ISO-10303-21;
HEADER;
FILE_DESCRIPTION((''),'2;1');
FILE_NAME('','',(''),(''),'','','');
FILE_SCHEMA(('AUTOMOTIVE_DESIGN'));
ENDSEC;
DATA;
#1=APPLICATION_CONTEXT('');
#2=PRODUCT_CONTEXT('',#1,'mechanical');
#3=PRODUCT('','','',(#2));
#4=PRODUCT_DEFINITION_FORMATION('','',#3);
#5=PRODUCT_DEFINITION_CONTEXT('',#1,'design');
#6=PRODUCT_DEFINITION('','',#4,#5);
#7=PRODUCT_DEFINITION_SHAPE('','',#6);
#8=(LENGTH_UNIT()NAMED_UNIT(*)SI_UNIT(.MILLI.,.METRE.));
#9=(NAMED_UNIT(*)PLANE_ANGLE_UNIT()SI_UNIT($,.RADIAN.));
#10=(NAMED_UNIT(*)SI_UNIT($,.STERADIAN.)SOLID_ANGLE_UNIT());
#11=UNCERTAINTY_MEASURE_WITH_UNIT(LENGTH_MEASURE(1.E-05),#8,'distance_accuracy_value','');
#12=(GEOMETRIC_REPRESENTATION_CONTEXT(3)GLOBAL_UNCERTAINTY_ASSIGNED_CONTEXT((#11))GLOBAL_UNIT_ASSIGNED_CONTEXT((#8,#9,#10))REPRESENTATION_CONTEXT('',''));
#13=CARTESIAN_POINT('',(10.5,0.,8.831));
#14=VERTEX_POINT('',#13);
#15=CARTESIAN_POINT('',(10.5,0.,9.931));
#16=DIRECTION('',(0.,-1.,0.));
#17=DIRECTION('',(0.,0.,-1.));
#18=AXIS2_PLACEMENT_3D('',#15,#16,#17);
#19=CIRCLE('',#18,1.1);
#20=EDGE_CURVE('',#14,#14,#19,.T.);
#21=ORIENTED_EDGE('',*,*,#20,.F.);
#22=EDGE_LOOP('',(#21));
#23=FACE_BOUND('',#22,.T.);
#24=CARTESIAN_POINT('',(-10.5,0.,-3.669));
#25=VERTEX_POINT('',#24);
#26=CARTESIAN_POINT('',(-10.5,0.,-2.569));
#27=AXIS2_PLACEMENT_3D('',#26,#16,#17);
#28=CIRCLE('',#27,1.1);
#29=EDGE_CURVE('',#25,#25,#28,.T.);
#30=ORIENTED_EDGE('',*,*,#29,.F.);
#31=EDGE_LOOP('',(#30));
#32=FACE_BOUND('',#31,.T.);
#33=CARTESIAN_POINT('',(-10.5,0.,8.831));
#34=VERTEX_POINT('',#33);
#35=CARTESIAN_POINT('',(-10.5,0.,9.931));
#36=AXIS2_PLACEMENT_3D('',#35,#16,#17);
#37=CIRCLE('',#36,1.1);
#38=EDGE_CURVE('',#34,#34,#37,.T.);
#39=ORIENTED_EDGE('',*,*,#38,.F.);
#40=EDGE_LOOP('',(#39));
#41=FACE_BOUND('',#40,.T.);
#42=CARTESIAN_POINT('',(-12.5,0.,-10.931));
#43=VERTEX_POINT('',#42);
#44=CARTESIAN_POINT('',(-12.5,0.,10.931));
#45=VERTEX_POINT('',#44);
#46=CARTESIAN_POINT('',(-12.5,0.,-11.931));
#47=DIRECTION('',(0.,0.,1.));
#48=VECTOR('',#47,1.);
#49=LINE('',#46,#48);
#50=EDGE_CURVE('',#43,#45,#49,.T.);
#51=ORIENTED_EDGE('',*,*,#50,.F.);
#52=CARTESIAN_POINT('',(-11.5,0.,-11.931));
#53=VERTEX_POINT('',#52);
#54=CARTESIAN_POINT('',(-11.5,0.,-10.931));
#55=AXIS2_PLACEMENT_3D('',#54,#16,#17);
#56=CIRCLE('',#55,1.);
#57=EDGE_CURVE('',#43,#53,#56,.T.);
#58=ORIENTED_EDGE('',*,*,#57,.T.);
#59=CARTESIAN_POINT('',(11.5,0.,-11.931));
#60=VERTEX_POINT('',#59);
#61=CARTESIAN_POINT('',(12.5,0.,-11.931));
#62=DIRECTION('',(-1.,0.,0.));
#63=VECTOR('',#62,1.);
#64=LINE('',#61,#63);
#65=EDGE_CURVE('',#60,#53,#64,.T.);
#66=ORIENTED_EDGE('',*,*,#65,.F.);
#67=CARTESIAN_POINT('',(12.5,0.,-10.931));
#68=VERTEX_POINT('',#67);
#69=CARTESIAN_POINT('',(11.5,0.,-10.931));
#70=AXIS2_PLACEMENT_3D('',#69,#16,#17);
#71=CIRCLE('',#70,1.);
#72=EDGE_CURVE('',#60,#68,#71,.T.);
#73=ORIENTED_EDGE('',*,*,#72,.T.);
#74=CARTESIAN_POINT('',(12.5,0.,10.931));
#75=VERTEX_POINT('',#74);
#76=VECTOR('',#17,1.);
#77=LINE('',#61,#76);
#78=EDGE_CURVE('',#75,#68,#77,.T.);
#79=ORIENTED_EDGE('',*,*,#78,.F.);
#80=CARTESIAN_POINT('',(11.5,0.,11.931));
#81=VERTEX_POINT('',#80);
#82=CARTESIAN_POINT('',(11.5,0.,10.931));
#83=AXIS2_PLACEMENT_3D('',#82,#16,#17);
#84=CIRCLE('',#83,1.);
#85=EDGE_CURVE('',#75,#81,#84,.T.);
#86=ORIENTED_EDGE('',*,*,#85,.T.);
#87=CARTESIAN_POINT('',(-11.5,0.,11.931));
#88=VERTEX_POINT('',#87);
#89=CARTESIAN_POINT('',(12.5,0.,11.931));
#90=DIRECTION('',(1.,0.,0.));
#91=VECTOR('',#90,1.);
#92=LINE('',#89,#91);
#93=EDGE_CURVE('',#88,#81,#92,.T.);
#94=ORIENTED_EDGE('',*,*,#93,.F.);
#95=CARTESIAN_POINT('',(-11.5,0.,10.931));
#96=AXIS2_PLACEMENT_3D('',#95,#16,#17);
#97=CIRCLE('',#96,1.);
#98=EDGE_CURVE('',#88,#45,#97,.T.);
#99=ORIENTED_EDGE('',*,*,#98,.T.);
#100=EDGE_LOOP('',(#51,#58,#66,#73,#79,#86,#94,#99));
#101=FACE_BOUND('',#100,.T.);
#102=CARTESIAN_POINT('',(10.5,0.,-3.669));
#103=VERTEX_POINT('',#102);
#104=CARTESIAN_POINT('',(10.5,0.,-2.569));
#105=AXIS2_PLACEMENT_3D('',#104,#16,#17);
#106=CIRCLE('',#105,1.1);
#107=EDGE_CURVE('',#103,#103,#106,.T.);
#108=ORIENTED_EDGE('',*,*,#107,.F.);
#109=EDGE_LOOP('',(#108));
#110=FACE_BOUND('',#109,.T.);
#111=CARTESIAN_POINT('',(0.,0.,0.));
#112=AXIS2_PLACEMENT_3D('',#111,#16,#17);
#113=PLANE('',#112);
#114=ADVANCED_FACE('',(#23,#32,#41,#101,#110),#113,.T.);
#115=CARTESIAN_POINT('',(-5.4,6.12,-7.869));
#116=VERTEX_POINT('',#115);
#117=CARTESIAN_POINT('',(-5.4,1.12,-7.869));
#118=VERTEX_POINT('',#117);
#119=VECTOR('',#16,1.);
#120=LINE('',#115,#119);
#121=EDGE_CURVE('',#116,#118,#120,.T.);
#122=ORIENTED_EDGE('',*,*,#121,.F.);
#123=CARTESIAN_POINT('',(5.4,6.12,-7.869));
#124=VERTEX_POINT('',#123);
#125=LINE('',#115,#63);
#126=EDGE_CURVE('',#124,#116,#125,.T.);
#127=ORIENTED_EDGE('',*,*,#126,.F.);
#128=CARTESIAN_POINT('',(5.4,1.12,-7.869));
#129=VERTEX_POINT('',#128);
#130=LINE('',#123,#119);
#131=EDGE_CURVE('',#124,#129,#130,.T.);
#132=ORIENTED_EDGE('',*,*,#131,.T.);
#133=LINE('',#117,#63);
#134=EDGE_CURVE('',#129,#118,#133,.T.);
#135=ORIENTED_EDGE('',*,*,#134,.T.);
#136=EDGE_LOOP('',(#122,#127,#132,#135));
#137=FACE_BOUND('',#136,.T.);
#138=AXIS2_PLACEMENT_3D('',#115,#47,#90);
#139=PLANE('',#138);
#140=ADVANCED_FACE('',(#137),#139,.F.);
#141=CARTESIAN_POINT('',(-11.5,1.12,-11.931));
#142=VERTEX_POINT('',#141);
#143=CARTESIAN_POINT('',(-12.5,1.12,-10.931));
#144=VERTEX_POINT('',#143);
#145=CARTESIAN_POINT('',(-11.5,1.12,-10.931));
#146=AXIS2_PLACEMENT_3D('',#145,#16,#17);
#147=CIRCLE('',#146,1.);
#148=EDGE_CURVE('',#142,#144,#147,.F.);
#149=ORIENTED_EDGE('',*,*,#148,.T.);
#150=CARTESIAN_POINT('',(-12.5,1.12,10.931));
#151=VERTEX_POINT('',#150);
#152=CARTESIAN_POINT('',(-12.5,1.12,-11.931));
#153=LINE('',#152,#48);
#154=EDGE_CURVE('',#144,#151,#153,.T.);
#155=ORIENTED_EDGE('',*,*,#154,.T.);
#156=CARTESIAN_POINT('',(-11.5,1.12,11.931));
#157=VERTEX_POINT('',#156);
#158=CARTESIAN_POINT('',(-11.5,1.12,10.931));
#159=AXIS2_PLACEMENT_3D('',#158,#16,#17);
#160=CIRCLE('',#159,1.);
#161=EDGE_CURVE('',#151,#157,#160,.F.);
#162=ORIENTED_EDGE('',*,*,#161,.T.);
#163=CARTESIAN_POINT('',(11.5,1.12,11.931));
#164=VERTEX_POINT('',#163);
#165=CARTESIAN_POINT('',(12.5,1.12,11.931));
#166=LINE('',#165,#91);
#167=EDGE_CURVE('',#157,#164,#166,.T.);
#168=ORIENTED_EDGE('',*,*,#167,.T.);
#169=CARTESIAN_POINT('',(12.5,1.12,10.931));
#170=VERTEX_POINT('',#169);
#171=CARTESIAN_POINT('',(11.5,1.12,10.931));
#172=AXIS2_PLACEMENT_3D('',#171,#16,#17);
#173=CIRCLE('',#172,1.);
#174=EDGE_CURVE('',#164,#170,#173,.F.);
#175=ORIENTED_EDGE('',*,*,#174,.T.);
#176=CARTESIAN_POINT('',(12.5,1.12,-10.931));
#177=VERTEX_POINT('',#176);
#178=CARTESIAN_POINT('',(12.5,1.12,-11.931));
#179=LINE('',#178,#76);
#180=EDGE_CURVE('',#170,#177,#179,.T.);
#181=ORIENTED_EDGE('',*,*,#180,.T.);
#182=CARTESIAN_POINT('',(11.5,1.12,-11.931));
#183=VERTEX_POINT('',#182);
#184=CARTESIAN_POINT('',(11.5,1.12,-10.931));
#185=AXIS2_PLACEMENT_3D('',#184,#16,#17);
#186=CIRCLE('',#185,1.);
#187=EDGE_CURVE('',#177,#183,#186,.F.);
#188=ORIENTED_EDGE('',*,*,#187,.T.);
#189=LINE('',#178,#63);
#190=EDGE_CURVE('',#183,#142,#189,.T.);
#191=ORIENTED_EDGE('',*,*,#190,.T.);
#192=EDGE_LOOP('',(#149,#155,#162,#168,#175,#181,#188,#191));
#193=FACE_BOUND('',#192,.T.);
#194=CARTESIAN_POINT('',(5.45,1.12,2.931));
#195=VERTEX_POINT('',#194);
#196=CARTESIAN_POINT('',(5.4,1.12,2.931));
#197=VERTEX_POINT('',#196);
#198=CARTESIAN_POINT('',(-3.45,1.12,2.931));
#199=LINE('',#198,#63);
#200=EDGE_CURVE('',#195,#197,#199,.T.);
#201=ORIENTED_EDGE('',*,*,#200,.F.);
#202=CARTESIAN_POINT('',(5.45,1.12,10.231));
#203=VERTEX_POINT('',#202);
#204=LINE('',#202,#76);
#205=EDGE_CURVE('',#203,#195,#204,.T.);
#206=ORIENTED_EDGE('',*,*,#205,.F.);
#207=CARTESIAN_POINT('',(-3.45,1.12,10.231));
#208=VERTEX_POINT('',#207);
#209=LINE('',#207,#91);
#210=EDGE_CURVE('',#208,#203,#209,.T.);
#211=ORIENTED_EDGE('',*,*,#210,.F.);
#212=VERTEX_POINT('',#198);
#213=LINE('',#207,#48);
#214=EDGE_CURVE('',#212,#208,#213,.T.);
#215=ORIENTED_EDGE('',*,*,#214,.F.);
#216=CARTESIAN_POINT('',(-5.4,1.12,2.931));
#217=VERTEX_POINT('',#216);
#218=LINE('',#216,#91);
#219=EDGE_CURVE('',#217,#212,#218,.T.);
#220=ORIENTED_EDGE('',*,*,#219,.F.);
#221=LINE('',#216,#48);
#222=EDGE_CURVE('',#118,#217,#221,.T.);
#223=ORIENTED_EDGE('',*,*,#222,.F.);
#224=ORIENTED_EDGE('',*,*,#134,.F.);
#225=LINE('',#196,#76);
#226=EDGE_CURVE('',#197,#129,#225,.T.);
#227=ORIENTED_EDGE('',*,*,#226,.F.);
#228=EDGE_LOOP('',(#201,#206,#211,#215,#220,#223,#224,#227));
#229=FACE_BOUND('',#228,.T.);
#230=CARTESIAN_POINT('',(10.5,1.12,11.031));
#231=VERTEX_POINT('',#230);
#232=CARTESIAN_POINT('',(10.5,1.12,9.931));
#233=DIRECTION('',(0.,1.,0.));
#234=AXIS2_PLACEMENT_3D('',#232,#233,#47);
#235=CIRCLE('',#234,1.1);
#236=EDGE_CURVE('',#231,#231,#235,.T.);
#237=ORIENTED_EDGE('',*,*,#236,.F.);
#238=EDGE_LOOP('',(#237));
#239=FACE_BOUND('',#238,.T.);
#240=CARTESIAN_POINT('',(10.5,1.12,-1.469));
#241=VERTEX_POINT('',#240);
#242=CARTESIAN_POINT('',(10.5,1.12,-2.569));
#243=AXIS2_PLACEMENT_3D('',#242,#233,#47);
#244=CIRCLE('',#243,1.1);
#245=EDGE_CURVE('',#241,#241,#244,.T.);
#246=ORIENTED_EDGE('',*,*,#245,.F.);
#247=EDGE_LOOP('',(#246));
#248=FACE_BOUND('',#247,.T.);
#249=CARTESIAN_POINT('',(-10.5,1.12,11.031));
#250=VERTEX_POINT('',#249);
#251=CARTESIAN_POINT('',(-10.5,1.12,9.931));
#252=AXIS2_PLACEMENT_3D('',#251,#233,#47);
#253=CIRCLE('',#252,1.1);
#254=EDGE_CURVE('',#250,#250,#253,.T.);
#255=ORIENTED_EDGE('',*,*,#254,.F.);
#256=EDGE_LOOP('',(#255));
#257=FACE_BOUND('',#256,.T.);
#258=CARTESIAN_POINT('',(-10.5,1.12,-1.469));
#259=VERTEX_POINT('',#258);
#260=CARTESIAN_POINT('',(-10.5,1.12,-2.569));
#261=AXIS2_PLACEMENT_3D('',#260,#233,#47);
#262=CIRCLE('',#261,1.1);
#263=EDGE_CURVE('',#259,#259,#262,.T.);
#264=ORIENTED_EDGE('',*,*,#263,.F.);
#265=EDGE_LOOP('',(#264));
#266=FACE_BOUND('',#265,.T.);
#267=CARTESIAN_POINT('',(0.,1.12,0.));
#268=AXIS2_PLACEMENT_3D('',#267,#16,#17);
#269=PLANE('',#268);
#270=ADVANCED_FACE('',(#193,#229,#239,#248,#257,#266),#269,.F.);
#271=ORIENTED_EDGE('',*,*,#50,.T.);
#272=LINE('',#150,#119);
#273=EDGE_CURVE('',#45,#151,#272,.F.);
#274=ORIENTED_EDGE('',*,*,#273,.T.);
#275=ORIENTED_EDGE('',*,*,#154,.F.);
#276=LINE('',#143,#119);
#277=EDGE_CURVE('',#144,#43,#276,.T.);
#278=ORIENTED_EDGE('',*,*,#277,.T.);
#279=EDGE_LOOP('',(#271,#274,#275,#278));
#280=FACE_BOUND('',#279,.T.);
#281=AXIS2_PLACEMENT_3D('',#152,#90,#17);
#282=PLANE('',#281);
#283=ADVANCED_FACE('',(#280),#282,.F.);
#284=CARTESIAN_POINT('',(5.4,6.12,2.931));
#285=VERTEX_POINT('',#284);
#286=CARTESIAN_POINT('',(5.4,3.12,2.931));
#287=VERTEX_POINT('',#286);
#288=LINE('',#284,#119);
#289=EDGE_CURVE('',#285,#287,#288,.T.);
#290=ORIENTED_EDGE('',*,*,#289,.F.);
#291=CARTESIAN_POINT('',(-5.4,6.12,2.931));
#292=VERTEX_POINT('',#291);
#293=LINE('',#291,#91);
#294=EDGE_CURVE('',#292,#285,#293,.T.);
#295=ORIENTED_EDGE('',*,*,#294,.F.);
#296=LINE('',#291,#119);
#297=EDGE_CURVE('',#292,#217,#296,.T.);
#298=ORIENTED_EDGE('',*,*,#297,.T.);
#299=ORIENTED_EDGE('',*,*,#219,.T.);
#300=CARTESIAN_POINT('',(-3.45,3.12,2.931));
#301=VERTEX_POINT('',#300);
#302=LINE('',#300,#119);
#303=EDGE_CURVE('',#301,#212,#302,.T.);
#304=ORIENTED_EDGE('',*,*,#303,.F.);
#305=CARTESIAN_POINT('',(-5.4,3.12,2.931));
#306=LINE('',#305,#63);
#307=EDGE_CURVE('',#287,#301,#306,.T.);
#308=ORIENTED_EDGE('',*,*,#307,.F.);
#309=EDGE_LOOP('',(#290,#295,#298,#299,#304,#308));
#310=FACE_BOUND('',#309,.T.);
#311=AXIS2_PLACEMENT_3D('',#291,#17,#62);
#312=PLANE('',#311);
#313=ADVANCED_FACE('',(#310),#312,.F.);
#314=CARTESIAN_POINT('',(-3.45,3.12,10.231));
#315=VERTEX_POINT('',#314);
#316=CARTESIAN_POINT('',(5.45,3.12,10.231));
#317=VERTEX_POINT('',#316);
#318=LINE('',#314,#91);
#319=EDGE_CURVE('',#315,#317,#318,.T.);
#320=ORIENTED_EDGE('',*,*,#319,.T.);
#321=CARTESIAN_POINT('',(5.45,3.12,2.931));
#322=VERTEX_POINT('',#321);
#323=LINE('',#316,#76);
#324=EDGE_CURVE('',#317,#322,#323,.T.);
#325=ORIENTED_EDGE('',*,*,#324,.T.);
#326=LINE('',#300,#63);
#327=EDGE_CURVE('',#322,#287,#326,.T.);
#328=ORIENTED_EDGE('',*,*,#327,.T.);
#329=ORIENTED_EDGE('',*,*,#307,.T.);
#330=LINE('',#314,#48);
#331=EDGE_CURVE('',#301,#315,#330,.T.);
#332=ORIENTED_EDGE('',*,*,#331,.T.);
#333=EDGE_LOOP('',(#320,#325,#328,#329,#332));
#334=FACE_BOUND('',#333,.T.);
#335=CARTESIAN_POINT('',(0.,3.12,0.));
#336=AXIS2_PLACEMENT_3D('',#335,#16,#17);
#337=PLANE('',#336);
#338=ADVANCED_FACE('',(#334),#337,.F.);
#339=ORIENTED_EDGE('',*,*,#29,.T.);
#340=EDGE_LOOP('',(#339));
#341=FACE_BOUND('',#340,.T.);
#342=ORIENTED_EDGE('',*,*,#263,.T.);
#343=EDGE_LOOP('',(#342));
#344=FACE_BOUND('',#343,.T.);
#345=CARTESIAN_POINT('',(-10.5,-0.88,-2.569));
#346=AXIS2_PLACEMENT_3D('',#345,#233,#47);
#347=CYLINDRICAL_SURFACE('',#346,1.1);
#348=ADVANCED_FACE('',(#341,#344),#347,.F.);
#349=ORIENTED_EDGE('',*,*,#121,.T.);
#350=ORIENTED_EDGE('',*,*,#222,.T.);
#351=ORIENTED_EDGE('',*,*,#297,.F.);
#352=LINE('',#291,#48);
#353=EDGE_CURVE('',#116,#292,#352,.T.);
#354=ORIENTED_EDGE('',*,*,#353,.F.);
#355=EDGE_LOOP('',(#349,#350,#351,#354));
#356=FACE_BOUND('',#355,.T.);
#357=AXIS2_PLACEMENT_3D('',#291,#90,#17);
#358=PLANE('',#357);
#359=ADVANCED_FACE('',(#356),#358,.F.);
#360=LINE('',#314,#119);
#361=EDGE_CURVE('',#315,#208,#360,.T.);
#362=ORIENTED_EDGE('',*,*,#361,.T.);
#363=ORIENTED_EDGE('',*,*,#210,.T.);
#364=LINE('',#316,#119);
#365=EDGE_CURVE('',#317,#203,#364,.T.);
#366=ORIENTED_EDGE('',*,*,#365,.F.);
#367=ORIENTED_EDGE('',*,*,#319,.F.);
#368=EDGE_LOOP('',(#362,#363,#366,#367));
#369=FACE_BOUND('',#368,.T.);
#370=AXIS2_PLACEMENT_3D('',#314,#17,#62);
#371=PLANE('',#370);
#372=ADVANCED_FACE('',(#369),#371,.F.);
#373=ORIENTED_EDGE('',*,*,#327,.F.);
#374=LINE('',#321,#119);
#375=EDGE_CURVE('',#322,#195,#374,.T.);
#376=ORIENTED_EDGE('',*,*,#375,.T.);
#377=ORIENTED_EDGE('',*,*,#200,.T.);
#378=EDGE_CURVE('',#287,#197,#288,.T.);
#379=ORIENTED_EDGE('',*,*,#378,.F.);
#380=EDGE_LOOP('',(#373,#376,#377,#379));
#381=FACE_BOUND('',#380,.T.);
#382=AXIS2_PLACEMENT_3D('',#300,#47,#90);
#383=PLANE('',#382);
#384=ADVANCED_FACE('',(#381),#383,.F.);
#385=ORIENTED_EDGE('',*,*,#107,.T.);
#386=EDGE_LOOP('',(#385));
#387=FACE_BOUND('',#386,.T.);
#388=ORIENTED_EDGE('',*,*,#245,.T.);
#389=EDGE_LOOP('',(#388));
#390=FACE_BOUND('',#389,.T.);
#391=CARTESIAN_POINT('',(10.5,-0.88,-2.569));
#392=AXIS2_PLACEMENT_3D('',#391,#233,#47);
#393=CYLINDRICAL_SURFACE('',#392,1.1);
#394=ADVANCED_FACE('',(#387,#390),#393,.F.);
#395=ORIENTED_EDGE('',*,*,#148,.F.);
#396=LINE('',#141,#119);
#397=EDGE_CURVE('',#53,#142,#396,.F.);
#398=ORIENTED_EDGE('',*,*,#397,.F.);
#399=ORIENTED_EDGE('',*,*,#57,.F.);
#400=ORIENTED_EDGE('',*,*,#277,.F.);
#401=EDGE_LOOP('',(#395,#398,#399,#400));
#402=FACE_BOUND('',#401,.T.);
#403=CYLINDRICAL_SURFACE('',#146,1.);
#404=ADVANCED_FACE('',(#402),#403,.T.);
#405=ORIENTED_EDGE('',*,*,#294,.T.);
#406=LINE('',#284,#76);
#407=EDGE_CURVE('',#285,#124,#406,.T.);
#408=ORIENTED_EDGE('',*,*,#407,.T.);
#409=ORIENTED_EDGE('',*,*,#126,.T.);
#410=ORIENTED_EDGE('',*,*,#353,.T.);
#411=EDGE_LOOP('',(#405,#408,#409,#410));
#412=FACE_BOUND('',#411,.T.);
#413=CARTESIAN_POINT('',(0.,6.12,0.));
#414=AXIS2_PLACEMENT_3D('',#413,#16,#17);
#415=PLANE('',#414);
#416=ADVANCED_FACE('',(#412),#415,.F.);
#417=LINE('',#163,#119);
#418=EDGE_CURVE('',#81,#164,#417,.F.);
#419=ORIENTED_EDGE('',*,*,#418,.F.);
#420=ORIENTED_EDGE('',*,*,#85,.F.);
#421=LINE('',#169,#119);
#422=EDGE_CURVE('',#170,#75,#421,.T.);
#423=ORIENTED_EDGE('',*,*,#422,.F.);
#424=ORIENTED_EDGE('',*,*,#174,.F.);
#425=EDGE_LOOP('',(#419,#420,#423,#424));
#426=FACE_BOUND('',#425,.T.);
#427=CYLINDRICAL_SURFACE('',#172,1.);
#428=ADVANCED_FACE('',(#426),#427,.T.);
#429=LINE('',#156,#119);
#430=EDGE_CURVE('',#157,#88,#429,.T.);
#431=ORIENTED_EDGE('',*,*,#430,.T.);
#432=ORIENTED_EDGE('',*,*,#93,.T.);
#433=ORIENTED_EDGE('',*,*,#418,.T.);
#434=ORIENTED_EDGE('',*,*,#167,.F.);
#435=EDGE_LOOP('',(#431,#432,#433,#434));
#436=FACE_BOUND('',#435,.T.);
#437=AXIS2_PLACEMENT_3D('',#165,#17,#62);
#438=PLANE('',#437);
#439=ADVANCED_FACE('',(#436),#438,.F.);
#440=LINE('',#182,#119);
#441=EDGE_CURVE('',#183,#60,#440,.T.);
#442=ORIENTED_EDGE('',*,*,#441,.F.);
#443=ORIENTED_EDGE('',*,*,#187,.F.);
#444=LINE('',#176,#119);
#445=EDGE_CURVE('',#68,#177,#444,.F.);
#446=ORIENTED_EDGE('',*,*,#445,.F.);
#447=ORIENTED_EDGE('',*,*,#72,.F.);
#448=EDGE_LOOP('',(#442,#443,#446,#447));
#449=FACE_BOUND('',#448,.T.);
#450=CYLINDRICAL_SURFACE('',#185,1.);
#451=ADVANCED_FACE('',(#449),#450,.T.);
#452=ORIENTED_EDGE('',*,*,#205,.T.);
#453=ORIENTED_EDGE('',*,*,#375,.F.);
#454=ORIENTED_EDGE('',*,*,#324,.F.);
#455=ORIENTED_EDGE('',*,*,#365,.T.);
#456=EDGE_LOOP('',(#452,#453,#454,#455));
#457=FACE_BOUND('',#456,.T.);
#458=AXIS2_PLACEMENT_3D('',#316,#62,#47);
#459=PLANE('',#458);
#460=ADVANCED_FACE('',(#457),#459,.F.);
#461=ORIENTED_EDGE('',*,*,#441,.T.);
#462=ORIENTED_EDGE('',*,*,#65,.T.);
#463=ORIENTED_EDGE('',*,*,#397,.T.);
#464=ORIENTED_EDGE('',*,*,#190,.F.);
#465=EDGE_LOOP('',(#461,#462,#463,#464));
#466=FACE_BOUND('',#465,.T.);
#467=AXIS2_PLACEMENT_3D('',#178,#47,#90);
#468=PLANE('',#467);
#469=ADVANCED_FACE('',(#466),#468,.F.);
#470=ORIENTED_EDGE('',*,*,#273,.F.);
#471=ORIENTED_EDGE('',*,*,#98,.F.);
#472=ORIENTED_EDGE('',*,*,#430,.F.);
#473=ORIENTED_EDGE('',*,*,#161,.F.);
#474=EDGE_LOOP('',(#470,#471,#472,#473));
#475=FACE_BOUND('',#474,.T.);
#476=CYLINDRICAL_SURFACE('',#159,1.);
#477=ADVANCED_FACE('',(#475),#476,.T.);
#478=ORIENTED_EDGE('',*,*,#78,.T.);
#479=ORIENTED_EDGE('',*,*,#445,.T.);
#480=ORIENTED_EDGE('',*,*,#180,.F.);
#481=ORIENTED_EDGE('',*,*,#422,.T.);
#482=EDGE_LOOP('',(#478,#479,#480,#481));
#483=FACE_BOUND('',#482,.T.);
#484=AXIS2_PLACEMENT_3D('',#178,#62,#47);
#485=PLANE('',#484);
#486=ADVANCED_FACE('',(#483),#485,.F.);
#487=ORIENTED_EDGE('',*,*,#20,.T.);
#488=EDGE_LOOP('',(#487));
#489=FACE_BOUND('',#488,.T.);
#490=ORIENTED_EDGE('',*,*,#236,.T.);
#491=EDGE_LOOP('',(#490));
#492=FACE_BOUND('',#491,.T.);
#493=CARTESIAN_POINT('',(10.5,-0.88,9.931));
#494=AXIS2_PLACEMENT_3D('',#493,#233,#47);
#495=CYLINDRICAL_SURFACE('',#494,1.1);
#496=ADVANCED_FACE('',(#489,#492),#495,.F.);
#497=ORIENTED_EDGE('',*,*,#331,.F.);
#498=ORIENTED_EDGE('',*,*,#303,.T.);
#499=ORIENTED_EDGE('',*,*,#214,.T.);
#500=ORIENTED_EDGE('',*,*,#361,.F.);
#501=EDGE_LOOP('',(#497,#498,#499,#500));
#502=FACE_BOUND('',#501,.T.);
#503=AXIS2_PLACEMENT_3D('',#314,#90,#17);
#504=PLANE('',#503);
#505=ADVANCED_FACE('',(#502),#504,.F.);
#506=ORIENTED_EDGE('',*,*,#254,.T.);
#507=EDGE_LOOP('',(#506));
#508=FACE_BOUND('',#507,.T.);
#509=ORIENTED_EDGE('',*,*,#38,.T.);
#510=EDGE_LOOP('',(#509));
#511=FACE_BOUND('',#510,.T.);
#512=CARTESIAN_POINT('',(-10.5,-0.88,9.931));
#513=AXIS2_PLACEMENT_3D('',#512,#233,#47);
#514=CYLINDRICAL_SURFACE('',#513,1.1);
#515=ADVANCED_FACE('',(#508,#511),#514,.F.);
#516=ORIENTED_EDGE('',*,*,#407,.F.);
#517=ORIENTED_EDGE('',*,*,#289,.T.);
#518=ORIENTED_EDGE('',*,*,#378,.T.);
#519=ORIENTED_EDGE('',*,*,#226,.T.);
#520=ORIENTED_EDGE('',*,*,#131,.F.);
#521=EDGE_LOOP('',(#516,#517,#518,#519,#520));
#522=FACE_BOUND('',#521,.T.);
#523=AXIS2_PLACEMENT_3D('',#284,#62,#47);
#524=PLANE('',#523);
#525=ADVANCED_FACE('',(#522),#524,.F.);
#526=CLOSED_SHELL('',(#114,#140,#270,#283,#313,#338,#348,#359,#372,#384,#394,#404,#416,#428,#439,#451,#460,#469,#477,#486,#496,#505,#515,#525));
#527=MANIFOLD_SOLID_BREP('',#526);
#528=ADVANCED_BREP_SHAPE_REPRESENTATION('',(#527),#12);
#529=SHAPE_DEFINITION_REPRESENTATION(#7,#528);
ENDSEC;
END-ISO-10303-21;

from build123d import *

# Parameters (mm, degrees)
SKETCH1_W           = 25
SKETCH1_H           = 23.862
BOSS_EXTRUDE1_DEPTH = 1.12
FILLET1_R           = 1
SKETCH2_R           = 1.1
CUT_EXTRUDE1_DEPTH  = 2
SKETCH3_W           = 10.8
SKETCH3_H           = 10.8
BOSS_EXTRUDE2_DEPTH = 5
SKETCH4_W           = 8.9
SKETCH4_H           = 7.3
BOSS_EXTRUDE3_DEPTH = 2


with BuildPart() as part:
    # Sketch1 → Boss-Extrude1 (new body)
    with BuildSketch(Plane(origin=(0, 0, 0), x_dir=(1, 0, 0), z_dir=(0, 1, 0))):
        Rectangle(SKETCH1_W, SKETCH1_H)
    extrude(amount=BOSS_EXTRUDE1_DEPTH)

    # Fillet1
    fillet1_edges = [part.edges().sort_by_distance(p)[0] for p in [
        (-12.5, 0.56, -11.931),
        (12.5, 0.56, -11.931),
        (12.5, 0.56, 11.931),
        (-12.5, 0.56, 11.931),
    ]]
    fillet(fillet1_edges, radius=FILLET1_R)

    # Sketch2 → Cut-Extrude1 (cut)
    with BuildSketch(Plane(origin=(0, 1.12, 0), x_dir=(1, 0, 0), z_dir=(0, 1, 0))):
        with Locations((-10.5, 2.569)):
            Circle(SKETCH2_R)
        with Locations((10.5, 2.569)):
            Circle(SKETCH2_R)
        with Locations((-10.5, -9.931)):
            Circle(SKETCH2_R)
        with Locations((10.5, -9.931)):
            Circle(SKETCH2_R)
    extrude(amount=-CUT_EXTRUDE1_DEPTH, mode=Mode.SUBTRACT)

    # Sketch3 → Boss-Extrude2 (add)
    with BuildSketch(Plane(origin=(0, 1.12, 0), x_dir=(1, 0, 0), z_dir=(0, 1, 0))):
        with Locations((0, 2.469)):
            Rectangle(SKETCH3_W, SKETCH3_H)
    extrude(amount=BOSS_EXTRUDE2_DEPTH)

    # Sketch4 → Boss-Extrude3 (add)
    with BuildSketch(Plane(origin=(0, 1.12, 0), x_dir=(1, 0, 0), z_dir=(0, 1, 0))):
        with Locations((1, -6.581)):
            Rectangle(SKETCH4_W, SKETCH4_H)
    extrude(amount=BOSS_EXTRUDE3_DEPTH)


solid = part.part
